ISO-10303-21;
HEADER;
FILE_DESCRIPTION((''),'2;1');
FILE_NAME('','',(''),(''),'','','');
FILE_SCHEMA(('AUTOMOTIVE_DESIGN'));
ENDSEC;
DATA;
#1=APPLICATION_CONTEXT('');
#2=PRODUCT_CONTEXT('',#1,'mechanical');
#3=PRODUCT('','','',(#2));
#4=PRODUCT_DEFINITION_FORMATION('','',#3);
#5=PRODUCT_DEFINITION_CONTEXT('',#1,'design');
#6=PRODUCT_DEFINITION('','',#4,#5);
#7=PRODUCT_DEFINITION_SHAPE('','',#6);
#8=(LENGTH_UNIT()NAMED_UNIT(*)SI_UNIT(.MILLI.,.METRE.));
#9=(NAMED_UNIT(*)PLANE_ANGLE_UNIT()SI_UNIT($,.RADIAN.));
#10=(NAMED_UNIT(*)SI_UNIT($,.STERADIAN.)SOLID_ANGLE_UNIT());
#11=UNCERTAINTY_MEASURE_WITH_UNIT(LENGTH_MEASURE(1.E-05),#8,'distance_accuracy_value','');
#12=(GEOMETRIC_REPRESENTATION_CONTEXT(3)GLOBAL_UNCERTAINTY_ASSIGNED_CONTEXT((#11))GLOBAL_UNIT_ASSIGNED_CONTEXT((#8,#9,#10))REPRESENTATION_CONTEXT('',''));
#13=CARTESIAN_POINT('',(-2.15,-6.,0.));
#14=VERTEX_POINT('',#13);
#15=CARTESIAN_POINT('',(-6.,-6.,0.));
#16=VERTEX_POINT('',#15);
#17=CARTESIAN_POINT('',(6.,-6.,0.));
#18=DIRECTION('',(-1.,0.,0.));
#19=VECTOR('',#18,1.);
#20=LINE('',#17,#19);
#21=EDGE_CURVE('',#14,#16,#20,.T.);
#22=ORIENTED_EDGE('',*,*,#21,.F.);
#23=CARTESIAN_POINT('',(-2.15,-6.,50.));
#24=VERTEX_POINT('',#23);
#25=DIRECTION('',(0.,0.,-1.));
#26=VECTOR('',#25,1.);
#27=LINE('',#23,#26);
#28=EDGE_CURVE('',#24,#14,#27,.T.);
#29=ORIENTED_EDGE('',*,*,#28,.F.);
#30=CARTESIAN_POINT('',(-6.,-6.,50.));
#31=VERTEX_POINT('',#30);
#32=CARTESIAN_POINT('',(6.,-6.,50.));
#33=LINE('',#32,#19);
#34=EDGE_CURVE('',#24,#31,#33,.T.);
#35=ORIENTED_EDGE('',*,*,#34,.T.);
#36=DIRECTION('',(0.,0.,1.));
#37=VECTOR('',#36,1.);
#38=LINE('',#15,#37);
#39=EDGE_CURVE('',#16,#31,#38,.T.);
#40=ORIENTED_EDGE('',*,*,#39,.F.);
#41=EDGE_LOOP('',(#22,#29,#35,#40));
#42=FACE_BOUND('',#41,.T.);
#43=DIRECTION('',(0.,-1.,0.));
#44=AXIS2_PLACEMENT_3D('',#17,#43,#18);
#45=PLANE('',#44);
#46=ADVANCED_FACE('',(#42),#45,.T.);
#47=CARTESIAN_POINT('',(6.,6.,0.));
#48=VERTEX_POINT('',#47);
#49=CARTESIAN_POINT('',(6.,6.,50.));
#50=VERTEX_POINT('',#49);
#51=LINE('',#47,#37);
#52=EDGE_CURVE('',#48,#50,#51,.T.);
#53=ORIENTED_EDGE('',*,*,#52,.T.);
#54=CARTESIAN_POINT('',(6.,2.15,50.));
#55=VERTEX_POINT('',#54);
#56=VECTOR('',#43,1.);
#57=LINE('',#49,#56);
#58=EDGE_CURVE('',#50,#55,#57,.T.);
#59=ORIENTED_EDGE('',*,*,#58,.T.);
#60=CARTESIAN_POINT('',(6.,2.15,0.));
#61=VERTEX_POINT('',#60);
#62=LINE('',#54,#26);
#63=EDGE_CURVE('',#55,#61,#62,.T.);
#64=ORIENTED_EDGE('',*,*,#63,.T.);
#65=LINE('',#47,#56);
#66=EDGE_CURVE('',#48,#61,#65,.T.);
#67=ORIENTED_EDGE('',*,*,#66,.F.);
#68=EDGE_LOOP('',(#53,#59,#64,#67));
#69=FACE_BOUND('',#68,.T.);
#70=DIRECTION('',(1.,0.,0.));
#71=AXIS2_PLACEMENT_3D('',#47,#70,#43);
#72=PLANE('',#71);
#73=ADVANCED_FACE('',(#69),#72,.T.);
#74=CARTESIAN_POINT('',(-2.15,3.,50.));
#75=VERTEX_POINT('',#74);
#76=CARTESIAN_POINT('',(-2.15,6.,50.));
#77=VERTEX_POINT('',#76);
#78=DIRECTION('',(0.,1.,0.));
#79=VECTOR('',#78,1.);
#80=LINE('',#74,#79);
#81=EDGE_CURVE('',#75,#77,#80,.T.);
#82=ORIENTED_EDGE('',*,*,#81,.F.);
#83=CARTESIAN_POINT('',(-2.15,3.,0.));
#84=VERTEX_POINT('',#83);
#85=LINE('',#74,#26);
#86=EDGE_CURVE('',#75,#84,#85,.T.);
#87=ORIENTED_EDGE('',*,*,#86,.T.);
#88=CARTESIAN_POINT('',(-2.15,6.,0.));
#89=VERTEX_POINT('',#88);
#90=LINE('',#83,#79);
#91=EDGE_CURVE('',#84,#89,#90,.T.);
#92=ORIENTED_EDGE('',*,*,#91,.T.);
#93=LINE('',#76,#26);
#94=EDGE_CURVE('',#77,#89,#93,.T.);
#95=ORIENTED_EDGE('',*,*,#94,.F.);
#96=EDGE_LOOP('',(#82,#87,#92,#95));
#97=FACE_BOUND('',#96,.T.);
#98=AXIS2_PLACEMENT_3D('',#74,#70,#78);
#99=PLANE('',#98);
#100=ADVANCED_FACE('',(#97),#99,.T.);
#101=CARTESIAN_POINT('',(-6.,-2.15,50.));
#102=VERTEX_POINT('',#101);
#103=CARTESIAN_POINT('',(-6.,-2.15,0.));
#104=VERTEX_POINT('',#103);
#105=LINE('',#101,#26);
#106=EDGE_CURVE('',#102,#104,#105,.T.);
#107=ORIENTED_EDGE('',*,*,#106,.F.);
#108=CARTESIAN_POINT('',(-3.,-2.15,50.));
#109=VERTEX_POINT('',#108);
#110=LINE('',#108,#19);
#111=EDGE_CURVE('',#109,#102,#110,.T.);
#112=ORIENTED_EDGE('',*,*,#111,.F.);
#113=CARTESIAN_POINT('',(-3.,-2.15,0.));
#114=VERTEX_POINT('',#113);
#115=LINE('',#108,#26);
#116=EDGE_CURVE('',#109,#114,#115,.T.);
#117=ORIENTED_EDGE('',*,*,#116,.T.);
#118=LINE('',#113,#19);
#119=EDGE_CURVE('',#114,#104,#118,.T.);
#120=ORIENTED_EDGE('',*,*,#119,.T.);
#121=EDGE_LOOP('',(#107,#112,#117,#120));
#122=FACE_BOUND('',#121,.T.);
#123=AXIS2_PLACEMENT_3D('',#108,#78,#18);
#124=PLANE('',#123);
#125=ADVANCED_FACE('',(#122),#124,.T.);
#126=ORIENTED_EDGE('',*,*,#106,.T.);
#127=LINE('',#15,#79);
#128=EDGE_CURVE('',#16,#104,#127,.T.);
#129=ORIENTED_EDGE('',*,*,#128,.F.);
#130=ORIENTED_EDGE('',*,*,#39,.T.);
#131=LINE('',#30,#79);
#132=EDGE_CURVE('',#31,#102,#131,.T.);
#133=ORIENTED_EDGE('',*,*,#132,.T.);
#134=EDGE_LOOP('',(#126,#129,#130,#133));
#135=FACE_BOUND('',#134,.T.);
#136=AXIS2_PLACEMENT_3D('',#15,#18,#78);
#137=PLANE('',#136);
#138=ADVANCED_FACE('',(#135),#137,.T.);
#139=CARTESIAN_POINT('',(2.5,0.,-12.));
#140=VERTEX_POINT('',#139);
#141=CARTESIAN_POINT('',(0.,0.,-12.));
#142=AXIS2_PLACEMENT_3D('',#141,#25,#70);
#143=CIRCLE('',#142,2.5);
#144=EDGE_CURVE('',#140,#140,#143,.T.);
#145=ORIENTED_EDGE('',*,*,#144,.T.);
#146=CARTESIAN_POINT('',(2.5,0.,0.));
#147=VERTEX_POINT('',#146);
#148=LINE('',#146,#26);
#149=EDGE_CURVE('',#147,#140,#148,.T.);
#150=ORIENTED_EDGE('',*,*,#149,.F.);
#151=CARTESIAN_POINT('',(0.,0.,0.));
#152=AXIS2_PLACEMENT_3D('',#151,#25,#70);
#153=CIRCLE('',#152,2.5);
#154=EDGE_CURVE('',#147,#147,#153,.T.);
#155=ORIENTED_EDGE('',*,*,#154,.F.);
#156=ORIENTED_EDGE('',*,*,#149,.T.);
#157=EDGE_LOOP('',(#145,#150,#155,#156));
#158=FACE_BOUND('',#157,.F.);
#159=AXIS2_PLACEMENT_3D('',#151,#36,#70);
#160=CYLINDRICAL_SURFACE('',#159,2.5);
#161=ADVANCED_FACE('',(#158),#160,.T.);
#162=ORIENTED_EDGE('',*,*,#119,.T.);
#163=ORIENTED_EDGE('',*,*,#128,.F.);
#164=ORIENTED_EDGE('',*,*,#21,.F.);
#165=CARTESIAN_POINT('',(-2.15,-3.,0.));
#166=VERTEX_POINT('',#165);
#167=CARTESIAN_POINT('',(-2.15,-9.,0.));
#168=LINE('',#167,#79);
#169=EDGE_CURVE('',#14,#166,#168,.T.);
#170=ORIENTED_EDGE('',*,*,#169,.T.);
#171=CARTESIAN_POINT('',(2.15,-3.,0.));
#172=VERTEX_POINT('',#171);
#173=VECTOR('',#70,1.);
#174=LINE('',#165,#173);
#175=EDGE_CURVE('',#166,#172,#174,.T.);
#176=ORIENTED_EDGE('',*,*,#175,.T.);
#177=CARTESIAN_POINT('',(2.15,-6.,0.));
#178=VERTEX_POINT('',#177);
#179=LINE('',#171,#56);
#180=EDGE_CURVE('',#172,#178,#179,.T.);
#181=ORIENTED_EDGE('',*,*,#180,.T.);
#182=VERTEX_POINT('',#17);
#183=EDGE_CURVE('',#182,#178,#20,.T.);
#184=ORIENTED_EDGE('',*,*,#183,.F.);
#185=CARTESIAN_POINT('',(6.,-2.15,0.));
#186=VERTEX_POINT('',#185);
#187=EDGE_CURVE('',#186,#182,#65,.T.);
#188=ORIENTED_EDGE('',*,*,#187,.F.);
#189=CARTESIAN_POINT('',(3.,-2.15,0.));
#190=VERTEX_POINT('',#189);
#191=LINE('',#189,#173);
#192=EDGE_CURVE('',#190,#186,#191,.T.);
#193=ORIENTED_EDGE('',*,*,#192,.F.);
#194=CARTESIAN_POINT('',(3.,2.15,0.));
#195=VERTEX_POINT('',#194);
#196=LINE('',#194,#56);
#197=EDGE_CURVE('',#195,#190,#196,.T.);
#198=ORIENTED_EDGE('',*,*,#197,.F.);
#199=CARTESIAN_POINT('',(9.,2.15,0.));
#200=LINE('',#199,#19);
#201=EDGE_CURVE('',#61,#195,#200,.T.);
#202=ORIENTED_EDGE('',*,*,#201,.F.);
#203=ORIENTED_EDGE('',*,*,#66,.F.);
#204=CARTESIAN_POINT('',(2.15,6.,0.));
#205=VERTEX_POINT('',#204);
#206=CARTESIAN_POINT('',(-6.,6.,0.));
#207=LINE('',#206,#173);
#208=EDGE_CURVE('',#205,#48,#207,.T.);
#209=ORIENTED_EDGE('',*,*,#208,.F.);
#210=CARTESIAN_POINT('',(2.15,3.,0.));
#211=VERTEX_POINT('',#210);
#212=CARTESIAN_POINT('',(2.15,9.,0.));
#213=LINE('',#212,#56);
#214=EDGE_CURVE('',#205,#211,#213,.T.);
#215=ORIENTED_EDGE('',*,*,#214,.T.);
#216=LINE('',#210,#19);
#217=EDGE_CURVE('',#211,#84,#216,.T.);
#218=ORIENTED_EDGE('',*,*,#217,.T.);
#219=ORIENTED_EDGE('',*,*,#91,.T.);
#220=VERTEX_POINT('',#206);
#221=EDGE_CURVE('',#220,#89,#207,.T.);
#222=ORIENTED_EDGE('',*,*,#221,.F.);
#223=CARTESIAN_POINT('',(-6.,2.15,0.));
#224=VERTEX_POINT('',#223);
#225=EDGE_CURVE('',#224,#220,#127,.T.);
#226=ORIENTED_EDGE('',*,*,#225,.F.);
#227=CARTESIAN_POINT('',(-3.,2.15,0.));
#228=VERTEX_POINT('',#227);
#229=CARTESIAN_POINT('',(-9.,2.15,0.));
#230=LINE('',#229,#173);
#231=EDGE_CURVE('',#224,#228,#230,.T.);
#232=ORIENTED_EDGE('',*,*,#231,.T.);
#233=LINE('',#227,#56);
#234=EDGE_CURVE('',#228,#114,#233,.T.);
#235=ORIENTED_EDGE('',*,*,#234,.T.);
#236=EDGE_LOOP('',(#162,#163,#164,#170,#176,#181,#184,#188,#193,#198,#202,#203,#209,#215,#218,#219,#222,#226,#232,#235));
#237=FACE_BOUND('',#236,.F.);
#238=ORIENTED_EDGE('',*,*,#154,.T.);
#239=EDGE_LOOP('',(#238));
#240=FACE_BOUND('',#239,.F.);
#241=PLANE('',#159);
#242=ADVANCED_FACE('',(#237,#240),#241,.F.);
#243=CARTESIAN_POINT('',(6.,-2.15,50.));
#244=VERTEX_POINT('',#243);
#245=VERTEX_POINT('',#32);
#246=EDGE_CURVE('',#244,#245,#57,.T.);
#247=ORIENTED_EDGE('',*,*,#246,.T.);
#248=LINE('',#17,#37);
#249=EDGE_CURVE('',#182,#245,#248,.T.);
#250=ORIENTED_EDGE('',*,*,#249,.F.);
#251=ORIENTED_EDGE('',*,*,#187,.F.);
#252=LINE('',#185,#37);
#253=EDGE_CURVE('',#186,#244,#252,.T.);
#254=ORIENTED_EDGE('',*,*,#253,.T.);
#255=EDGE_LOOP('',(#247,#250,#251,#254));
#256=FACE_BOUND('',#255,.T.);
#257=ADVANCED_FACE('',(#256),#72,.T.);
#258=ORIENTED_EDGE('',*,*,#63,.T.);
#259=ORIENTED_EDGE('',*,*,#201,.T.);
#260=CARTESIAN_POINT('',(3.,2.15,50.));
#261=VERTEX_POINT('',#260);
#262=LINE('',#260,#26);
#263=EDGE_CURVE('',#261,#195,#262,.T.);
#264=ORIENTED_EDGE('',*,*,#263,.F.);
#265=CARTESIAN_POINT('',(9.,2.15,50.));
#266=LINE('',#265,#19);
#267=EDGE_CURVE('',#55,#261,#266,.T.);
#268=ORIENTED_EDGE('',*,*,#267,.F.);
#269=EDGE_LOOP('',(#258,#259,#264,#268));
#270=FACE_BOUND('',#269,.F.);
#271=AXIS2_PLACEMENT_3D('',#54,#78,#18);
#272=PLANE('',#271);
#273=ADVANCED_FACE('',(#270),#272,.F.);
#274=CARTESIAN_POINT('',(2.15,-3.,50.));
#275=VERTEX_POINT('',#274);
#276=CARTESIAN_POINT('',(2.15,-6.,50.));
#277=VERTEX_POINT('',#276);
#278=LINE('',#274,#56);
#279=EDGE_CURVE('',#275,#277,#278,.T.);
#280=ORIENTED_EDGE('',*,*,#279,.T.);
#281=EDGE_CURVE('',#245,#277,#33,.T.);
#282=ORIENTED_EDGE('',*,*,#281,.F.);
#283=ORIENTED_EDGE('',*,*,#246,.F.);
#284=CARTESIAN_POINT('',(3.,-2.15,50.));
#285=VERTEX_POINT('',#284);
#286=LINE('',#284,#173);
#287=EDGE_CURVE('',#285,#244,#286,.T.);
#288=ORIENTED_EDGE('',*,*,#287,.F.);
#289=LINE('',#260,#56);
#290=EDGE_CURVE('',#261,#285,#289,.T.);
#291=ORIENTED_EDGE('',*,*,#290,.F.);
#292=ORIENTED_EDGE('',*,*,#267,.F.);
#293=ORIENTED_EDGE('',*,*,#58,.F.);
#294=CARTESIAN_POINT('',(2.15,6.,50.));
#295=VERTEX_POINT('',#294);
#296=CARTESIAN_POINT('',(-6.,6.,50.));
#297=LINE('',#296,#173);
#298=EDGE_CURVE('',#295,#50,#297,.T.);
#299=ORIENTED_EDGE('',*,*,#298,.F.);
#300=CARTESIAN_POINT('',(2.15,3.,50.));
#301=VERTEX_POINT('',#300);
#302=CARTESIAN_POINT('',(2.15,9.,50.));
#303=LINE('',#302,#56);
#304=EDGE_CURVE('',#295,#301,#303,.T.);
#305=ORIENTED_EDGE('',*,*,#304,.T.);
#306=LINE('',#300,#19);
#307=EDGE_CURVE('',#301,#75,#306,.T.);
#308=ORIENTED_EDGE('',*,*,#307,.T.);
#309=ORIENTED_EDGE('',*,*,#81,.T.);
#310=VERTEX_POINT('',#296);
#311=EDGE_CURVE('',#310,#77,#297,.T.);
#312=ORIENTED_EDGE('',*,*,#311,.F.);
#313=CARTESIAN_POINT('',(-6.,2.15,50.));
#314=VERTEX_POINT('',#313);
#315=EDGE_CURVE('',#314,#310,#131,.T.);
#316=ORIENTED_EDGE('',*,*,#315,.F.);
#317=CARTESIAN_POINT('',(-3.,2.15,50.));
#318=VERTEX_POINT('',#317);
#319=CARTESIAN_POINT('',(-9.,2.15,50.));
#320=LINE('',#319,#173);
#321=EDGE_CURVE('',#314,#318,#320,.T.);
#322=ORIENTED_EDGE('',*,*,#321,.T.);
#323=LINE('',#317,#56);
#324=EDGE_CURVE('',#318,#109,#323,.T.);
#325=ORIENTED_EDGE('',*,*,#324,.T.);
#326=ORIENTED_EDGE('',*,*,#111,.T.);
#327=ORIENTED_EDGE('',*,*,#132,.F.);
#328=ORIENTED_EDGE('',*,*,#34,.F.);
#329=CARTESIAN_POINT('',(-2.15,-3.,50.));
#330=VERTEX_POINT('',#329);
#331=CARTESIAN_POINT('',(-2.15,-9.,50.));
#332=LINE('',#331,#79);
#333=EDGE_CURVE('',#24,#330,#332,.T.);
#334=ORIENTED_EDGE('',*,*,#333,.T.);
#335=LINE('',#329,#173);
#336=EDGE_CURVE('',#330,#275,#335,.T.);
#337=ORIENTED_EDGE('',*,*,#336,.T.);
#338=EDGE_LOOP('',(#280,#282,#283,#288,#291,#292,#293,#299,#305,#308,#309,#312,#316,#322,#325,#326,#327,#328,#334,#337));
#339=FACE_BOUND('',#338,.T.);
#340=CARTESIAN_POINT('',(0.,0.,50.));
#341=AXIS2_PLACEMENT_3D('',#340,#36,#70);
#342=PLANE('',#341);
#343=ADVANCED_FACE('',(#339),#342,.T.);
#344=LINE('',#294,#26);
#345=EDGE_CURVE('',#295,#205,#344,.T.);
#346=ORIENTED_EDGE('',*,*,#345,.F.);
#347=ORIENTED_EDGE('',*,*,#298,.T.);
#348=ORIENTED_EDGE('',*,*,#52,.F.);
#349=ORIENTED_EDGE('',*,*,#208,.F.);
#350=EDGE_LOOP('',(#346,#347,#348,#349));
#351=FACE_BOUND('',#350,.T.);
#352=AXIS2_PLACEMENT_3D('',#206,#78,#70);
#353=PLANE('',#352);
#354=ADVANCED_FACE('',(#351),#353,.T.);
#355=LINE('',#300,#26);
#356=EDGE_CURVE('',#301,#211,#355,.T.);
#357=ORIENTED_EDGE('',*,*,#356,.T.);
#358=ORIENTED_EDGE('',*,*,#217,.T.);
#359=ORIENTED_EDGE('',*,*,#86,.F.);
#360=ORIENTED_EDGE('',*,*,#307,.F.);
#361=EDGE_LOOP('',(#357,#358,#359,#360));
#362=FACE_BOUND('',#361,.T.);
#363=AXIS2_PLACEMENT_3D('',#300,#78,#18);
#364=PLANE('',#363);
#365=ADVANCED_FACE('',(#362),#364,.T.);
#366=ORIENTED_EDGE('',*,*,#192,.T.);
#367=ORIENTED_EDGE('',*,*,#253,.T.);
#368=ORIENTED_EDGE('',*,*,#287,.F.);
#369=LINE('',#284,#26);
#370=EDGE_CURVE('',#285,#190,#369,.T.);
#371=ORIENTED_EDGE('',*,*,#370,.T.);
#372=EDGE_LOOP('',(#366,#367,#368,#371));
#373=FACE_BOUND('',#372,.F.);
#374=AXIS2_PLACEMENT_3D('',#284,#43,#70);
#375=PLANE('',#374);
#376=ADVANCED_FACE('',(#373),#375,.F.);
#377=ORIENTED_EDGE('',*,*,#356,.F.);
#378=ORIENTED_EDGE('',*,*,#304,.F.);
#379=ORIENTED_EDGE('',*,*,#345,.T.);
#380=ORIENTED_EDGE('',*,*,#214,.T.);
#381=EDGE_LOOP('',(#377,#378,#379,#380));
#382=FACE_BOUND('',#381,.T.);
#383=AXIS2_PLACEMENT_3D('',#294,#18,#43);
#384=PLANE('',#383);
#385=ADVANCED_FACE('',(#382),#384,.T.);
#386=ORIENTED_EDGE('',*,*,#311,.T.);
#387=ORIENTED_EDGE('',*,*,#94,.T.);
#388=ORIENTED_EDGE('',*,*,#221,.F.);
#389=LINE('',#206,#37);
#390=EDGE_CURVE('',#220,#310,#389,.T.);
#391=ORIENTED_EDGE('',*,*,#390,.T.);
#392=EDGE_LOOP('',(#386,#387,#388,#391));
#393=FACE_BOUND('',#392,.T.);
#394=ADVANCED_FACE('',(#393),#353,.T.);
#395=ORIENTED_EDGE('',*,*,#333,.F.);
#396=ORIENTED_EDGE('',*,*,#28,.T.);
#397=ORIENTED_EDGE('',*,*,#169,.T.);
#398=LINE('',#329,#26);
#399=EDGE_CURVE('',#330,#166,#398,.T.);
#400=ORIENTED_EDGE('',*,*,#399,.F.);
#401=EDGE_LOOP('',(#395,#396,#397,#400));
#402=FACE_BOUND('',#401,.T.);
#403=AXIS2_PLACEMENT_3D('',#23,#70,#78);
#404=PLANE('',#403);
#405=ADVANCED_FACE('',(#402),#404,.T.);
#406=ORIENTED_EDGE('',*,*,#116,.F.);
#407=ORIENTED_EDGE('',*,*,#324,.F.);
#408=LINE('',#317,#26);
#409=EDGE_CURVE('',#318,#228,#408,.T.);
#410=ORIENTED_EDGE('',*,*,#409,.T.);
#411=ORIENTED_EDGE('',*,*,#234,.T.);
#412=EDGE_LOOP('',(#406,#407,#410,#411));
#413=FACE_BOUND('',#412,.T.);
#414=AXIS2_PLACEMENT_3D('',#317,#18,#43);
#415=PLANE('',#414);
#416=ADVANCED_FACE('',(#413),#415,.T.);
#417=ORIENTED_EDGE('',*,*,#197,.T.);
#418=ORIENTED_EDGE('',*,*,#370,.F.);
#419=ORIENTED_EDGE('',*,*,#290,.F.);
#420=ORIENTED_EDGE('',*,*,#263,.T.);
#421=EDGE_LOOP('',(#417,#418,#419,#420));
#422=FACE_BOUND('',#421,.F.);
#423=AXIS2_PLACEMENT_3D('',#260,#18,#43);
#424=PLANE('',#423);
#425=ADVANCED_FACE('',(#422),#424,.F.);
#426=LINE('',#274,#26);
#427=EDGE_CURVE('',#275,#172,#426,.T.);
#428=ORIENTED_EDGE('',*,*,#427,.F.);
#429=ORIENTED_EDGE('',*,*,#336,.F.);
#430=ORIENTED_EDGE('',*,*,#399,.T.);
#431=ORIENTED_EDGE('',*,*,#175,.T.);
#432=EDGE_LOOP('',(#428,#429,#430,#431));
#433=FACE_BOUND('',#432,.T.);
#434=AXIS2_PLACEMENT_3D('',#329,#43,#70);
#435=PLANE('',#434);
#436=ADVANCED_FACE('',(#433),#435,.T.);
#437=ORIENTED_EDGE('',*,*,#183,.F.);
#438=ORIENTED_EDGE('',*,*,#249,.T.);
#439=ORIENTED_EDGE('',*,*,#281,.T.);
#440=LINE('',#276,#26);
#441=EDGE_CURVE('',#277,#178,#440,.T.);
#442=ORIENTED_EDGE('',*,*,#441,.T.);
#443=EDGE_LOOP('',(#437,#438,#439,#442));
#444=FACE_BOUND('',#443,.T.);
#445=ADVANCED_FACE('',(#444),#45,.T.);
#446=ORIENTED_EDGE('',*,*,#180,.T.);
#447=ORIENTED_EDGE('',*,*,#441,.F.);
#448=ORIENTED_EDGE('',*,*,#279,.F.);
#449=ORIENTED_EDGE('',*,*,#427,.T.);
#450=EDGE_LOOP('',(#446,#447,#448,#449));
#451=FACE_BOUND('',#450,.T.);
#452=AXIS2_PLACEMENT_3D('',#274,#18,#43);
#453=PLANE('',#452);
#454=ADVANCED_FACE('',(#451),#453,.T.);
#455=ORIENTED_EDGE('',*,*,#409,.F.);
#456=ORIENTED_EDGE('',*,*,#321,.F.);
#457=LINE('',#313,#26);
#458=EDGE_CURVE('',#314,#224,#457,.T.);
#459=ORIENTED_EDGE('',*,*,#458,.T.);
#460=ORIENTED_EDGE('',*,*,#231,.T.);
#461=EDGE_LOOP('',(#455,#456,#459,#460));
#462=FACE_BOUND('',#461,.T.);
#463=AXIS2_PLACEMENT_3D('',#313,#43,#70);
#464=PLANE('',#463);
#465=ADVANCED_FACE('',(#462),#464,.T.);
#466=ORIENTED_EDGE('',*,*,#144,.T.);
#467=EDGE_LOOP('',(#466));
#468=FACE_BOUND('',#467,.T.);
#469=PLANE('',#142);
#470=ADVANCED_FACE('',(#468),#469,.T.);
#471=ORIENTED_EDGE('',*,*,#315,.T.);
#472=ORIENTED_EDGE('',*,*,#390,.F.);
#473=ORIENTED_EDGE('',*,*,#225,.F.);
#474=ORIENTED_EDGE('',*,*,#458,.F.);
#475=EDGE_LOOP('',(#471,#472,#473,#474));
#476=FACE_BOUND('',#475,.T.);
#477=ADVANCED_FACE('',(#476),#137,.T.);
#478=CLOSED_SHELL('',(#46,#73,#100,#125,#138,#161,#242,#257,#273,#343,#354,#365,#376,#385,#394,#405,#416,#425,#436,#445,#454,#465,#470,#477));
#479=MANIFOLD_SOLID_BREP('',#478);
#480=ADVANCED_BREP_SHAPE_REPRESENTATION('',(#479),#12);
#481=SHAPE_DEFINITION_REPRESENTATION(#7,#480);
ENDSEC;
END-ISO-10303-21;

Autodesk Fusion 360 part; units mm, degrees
sketch "Sketch1" plane through (0, 0, 0) normal (0, 0, 1) x (1, 0, 0) in component "Pillar"
  line L0 (6, -6) -> (-6, -6)
  line L1 (-6, -6) -> (-6, 6)
  line L2 (-6, 6) -> (6, 6)
  line L3 (6, 6) -> (6, -6)
  line L4 (6, -6) -> (-6, 6) construction
  line L5 (-6, -6) -> (6, 6) construction
  dimension "d1" = 12
  dimension "d2" = 12
extrude "Extrude1" add sketch "Sketch1" along normal blind 50 in component "Pillar"
sketch "Sketch2" plane through (0, 0, 50) normal (0, 0, 1) x (-1, 0, 0) in component "Pillar"
  line L0 (-6, -6) -> (6, -6)
  line L1 (6, -6) -> (6, 6)
  line L2 (6, 6) -> (-6, 6)
  line L3 (-6, 6) -> (-6, -6)
  line L4 (-3, 2.15) -> (-9, 2.15)
  line L5 (-9, 2.15) -> (-9, -2.15)
  line L6 (-9, -2.15) -> (-3, -2.15)
  line L7 (-3, -2.15) -> (-3, 2.15)
  line L8 (-3, 2.15) -> (-9, -2.15) construction
  line L9 (-9, 2.15) -> (-3, -2.15) construction
  line L10 (2.15, -9) -> (-2.15, -9)
  line L11 (-2.15, -9) -> (-2.15, -3)
  line L12 (-2.15, -3) -> (2.15, -3)
  line L13 (2.15, -3) -> (2.15, -9)
  line L14 (2.15, -9) -> (-2.15, -3) construction
  line L15 (-2.15, -9) -> (2.15, -3) construction
  line L16 (9, -2.15) -> (3, -2.15)
  line L17 (3, -2.15) -> (3, 2.15)
  line L18 (3, 2.15) -> (9, 2.15)
  line L19 (9, 2.15) -> (9, -2.15)
  line L20 (9, -2.15) -> (3, 2.15) construction
  line L21 (3, -2.15) -> (9, 2.15) construction
  line L22 (-2.15, 9) -> (2.15, 9)
  line L23 (2.15, 9) -> (2.15, 3)
  line L24 (2.15, 3) -> (-2.15, 3)
  line L25 (-2.15, 3) -> (-2.15, 9)
  line L26 (-2.15, 9) -> (2.15, 3) construction
  line L27 (2.15, 9) -> (-2.15, 3) construction
  point P0 (-6, 0)
  point P1 (0, -6)
  point P2 (6, 0)
  point P3 (0, 6)
  dimension "d5" = 6
  dimension "d6" = 4.3
  dimension "d9" = 4.3
  dimension "d10" = 6
  dimension "d11" = 6
  dimension "d12" = 4.3
  dimension "d13" = 4.3
  dimension "d14" = 6
extrude "Extrude7" cut sketch "Sketch2" against normal blind 50 contours L0 L11 L12 L13 | L3 L4 L6 L7 | L1 L16 L17 L18 | L2 L23 L24 L25 in component "Pillar"
extrude "Extrude3" cut sketch "Sketch2" against normal blind 30 contours L0 L11 L12 L13 in component "Pillar"
extrude "Extrude2" cut sketch "Sketch2" against normal blind 30 contours L3 L4 L6 L7 in component "Pillar"
extrude "Extrude4" cut sketch "Sketch2" against normal blind 30 contours L1 L16 L17 L18 in component "Pillar"
extrude "Extrude5" cut sketch "Sketch2" against normal blind 30 contours L2 L23 L24 L25 in component "Pillar"
sketch "Sketch3" plane through (0, 0, 0) normal (0, 0, -1) x (1, 0, 0) in component "Pillar"
  line L0 (2.15, -6) -> (6, -6)
  line L1 (6, -6) -> (6, -2.15)
  line L2 (6, 6) -> (2.15, 6)
  line L3 (-6, 6) -> (-6, 2.15)
  circle A0 centre (0, 0) radius 2.5
  line L4 (-2.15, -6) -> (-2.15, -3)
  line L5 (-2.15, -3) -> (2.15, -3)
  line L6 (2.15, -3) -> (2.15, -6)
  line L7 (6, -2.15) -> (3, -2.15)
  line L8 (3, -2.15) -> (3, 2.15)
  line L9 (3, 2.15) -> (6, 2.15)
  line L10 (6, 2.15) -> (6, 6)
  line L11 (2.15, 6) -> (2.15, 3)
  line L12 (2.15, 3) -> (-2.15, 3)
  line L13 (-2.15, 3) -> (-2.15, 6)
  line L14 (-2.15, 6) -> (-6, 6)
  line L15 (-6, 2.15) -> (-3, 2.15)
  line L16 (-3, 2.15) -> (-3, -2.15)
  line L17 (-3, -2.15) -> (-6, -2.15)
  line L18 (-6, -2.15) -> (-6, -6)
  line L19 (-6, -6) -> (-2.15, -6)
  dimension "d21" = 5
extrude "Extrude6" add sketch "Sketch3" along normal blind 12 contours A0 in component "Pillar"
component "Pillar" placed x (1, 0, 0) y (0, 1, 0) z (0, 0, 1) at (0, 0, 0)
